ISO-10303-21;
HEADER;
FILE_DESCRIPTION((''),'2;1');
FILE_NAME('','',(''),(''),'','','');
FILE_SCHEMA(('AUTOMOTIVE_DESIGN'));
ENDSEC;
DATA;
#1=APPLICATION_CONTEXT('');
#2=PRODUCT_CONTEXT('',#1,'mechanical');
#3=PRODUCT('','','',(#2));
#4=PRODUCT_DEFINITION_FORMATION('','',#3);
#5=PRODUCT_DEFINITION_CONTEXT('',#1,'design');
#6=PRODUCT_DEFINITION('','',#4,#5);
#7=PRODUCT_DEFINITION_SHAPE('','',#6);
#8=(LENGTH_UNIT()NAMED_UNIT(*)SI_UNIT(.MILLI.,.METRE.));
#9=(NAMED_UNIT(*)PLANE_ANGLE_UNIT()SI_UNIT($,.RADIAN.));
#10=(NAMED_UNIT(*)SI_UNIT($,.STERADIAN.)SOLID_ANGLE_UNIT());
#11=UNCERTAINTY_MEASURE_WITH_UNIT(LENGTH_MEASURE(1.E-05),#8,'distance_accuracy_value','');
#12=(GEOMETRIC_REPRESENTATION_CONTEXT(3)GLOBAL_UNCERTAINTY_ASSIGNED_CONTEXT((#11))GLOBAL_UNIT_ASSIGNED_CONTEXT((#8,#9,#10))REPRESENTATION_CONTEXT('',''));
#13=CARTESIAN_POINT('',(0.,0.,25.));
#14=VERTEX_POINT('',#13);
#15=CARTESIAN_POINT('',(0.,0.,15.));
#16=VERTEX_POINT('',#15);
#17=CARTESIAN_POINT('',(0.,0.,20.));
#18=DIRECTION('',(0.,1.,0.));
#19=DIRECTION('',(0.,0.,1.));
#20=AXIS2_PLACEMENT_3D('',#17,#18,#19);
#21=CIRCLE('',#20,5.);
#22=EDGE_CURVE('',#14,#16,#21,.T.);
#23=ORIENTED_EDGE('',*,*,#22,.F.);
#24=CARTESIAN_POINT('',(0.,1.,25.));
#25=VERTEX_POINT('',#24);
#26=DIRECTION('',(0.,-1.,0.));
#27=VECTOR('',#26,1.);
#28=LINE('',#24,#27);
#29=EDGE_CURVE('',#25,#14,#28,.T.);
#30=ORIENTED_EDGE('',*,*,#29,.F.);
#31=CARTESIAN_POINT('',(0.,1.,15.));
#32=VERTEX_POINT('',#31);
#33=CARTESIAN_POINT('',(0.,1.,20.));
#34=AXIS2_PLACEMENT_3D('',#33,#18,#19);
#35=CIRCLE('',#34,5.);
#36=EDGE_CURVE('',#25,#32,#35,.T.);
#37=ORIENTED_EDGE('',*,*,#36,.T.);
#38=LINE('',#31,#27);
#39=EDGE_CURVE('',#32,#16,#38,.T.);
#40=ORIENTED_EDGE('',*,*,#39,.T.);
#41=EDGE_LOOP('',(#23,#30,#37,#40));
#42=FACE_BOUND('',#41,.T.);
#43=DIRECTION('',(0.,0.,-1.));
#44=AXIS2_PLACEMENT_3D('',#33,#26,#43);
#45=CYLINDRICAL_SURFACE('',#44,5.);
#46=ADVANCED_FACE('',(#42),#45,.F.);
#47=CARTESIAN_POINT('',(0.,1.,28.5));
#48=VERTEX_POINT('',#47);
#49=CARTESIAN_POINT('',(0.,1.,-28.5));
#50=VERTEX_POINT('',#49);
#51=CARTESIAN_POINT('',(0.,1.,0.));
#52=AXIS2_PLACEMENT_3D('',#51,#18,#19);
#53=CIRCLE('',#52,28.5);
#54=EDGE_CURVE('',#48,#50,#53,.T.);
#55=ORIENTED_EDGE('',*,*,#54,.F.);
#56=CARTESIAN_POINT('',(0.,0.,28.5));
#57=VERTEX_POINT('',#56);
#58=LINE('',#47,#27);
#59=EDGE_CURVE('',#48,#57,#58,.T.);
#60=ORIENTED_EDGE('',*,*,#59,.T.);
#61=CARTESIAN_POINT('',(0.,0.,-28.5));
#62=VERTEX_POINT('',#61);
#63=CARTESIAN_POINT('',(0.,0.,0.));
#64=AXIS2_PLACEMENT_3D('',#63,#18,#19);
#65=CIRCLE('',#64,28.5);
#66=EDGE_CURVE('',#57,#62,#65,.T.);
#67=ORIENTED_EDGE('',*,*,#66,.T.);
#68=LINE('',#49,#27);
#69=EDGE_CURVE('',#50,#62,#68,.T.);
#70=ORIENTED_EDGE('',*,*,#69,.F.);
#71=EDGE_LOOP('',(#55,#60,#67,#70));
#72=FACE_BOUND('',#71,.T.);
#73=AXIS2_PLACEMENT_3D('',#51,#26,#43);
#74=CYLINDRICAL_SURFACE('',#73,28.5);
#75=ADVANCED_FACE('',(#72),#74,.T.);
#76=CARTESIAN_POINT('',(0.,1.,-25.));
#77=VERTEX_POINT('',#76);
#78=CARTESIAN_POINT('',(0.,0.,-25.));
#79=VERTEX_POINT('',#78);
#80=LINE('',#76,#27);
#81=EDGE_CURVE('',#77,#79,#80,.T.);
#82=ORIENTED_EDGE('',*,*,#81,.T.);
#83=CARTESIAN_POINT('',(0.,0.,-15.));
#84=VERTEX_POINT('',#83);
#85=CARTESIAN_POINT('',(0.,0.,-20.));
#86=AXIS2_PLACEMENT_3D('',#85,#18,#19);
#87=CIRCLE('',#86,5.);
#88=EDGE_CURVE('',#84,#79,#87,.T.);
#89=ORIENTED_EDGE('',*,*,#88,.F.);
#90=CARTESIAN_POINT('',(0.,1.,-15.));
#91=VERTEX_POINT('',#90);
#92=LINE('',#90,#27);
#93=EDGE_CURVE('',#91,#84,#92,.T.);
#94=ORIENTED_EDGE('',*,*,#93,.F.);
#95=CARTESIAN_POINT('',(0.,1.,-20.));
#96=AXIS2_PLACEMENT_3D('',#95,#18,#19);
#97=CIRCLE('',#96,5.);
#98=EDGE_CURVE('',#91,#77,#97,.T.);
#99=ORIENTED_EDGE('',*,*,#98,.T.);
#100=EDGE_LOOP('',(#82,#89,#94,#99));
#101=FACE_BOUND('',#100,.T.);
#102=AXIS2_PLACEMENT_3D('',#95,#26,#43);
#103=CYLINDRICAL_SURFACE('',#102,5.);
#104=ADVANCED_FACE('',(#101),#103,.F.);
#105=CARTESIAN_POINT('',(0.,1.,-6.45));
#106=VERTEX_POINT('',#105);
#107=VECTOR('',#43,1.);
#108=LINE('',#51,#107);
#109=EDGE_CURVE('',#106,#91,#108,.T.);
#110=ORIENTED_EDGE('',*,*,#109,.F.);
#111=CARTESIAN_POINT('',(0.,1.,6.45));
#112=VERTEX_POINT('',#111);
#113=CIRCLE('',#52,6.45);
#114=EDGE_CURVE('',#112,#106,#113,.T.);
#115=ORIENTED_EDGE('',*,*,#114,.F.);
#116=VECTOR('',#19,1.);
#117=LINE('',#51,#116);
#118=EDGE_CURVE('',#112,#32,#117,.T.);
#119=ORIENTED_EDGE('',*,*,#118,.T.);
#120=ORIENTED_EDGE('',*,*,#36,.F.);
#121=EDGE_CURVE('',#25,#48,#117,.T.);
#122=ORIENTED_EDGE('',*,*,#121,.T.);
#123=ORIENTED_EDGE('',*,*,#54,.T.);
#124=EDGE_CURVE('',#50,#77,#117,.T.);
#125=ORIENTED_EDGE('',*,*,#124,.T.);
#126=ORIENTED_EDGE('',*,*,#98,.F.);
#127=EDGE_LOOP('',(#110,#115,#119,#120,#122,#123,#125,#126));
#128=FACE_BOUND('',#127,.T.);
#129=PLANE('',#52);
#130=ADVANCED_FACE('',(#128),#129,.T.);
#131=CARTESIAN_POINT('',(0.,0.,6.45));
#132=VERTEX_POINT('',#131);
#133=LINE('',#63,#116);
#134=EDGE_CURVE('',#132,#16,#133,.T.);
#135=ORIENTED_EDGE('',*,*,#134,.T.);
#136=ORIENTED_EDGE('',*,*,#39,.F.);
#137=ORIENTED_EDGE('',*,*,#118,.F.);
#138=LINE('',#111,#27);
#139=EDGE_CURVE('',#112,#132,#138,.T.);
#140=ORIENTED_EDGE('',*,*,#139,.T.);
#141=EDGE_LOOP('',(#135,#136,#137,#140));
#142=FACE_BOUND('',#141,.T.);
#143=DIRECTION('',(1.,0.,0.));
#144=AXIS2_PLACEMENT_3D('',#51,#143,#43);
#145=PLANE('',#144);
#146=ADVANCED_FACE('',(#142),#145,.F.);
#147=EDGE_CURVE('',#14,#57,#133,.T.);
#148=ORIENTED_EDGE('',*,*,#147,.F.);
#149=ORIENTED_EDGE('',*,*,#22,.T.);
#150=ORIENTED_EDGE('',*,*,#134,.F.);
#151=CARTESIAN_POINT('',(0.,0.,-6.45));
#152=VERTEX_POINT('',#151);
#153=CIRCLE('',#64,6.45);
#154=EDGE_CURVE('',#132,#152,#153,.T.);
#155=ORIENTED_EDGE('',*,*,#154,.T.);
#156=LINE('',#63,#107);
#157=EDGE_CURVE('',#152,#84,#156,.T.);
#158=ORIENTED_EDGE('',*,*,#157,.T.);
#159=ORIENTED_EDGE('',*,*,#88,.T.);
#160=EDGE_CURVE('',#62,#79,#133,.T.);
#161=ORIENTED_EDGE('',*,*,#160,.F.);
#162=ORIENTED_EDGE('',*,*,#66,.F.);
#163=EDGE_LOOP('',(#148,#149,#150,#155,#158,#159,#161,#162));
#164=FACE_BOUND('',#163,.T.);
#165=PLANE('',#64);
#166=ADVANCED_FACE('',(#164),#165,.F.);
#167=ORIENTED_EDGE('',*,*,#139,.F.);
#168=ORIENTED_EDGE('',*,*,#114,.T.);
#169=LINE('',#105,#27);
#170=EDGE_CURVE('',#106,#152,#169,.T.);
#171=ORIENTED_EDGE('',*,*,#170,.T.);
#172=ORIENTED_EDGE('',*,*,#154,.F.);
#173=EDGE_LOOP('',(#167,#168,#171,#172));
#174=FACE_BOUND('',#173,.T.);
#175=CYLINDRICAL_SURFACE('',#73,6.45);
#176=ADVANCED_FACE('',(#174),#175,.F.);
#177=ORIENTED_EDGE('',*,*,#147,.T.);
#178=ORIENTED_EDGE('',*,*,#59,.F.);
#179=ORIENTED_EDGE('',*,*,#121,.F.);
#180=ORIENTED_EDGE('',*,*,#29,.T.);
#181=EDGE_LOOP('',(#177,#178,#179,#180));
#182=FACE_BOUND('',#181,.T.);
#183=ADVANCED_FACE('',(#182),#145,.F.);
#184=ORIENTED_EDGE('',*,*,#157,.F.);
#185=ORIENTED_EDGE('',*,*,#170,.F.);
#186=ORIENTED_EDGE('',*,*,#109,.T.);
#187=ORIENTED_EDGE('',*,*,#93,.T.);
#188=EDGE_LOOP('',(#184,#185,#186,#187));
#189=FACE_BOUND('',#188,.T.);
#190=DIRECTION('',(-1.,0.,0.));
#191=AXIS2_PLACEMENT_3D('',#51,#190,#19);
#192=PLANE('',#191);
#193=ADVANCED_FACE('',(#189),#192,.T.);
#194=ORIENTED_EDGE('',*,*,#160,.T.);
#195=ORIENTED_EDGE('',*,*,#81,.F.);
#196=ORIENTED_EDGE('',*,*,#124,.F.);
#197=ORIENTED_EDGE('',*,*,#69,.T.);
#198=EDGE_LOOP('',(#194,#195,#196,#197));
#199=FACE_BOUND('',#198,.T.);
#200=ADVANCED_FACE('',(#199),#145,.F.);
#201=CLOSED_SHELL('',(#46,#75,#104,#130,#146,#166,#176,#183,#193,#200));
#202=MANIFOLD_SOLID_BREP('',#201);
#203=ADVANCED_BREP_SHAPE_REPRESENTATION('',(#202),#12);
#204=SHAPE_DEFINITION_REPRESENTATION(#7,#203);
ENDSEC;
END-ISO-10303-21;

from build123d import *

# Parameters (mm, degrees)
BOSS_EXTRUDE1_DEPTH = 1


with BuildPart() as part:
    # Sketch1 → Boss-Extrude1 (new body)
    with BuildSketch(Plane(origin=(0, 0, 0), x_dir=(1, 0, 0), z_dir=(0, 1, 0))):
        with BuildLine():
            Line((0, 6.45), (0, 15))
            ThreePointArc((0, 15), (5, 20), (0, 25))
            Line((0, 25), (0, 28.5))
            ThreePointArc((0, 28.5), (28.5, 0), (0, -28.5))
            Line((0, -28.5), (0, -25))
            ThreePointArc((0, -25), (5, -20), (0, -15))
            Line((0, -15), (0, -6.45))
            ThreePointArc((0, -6.45), (6.45, 0), (0, 6.45))
        make_face()
    extrude(amount=BOSS_EXTRUDE1_DEPTH)


solid = part.part
